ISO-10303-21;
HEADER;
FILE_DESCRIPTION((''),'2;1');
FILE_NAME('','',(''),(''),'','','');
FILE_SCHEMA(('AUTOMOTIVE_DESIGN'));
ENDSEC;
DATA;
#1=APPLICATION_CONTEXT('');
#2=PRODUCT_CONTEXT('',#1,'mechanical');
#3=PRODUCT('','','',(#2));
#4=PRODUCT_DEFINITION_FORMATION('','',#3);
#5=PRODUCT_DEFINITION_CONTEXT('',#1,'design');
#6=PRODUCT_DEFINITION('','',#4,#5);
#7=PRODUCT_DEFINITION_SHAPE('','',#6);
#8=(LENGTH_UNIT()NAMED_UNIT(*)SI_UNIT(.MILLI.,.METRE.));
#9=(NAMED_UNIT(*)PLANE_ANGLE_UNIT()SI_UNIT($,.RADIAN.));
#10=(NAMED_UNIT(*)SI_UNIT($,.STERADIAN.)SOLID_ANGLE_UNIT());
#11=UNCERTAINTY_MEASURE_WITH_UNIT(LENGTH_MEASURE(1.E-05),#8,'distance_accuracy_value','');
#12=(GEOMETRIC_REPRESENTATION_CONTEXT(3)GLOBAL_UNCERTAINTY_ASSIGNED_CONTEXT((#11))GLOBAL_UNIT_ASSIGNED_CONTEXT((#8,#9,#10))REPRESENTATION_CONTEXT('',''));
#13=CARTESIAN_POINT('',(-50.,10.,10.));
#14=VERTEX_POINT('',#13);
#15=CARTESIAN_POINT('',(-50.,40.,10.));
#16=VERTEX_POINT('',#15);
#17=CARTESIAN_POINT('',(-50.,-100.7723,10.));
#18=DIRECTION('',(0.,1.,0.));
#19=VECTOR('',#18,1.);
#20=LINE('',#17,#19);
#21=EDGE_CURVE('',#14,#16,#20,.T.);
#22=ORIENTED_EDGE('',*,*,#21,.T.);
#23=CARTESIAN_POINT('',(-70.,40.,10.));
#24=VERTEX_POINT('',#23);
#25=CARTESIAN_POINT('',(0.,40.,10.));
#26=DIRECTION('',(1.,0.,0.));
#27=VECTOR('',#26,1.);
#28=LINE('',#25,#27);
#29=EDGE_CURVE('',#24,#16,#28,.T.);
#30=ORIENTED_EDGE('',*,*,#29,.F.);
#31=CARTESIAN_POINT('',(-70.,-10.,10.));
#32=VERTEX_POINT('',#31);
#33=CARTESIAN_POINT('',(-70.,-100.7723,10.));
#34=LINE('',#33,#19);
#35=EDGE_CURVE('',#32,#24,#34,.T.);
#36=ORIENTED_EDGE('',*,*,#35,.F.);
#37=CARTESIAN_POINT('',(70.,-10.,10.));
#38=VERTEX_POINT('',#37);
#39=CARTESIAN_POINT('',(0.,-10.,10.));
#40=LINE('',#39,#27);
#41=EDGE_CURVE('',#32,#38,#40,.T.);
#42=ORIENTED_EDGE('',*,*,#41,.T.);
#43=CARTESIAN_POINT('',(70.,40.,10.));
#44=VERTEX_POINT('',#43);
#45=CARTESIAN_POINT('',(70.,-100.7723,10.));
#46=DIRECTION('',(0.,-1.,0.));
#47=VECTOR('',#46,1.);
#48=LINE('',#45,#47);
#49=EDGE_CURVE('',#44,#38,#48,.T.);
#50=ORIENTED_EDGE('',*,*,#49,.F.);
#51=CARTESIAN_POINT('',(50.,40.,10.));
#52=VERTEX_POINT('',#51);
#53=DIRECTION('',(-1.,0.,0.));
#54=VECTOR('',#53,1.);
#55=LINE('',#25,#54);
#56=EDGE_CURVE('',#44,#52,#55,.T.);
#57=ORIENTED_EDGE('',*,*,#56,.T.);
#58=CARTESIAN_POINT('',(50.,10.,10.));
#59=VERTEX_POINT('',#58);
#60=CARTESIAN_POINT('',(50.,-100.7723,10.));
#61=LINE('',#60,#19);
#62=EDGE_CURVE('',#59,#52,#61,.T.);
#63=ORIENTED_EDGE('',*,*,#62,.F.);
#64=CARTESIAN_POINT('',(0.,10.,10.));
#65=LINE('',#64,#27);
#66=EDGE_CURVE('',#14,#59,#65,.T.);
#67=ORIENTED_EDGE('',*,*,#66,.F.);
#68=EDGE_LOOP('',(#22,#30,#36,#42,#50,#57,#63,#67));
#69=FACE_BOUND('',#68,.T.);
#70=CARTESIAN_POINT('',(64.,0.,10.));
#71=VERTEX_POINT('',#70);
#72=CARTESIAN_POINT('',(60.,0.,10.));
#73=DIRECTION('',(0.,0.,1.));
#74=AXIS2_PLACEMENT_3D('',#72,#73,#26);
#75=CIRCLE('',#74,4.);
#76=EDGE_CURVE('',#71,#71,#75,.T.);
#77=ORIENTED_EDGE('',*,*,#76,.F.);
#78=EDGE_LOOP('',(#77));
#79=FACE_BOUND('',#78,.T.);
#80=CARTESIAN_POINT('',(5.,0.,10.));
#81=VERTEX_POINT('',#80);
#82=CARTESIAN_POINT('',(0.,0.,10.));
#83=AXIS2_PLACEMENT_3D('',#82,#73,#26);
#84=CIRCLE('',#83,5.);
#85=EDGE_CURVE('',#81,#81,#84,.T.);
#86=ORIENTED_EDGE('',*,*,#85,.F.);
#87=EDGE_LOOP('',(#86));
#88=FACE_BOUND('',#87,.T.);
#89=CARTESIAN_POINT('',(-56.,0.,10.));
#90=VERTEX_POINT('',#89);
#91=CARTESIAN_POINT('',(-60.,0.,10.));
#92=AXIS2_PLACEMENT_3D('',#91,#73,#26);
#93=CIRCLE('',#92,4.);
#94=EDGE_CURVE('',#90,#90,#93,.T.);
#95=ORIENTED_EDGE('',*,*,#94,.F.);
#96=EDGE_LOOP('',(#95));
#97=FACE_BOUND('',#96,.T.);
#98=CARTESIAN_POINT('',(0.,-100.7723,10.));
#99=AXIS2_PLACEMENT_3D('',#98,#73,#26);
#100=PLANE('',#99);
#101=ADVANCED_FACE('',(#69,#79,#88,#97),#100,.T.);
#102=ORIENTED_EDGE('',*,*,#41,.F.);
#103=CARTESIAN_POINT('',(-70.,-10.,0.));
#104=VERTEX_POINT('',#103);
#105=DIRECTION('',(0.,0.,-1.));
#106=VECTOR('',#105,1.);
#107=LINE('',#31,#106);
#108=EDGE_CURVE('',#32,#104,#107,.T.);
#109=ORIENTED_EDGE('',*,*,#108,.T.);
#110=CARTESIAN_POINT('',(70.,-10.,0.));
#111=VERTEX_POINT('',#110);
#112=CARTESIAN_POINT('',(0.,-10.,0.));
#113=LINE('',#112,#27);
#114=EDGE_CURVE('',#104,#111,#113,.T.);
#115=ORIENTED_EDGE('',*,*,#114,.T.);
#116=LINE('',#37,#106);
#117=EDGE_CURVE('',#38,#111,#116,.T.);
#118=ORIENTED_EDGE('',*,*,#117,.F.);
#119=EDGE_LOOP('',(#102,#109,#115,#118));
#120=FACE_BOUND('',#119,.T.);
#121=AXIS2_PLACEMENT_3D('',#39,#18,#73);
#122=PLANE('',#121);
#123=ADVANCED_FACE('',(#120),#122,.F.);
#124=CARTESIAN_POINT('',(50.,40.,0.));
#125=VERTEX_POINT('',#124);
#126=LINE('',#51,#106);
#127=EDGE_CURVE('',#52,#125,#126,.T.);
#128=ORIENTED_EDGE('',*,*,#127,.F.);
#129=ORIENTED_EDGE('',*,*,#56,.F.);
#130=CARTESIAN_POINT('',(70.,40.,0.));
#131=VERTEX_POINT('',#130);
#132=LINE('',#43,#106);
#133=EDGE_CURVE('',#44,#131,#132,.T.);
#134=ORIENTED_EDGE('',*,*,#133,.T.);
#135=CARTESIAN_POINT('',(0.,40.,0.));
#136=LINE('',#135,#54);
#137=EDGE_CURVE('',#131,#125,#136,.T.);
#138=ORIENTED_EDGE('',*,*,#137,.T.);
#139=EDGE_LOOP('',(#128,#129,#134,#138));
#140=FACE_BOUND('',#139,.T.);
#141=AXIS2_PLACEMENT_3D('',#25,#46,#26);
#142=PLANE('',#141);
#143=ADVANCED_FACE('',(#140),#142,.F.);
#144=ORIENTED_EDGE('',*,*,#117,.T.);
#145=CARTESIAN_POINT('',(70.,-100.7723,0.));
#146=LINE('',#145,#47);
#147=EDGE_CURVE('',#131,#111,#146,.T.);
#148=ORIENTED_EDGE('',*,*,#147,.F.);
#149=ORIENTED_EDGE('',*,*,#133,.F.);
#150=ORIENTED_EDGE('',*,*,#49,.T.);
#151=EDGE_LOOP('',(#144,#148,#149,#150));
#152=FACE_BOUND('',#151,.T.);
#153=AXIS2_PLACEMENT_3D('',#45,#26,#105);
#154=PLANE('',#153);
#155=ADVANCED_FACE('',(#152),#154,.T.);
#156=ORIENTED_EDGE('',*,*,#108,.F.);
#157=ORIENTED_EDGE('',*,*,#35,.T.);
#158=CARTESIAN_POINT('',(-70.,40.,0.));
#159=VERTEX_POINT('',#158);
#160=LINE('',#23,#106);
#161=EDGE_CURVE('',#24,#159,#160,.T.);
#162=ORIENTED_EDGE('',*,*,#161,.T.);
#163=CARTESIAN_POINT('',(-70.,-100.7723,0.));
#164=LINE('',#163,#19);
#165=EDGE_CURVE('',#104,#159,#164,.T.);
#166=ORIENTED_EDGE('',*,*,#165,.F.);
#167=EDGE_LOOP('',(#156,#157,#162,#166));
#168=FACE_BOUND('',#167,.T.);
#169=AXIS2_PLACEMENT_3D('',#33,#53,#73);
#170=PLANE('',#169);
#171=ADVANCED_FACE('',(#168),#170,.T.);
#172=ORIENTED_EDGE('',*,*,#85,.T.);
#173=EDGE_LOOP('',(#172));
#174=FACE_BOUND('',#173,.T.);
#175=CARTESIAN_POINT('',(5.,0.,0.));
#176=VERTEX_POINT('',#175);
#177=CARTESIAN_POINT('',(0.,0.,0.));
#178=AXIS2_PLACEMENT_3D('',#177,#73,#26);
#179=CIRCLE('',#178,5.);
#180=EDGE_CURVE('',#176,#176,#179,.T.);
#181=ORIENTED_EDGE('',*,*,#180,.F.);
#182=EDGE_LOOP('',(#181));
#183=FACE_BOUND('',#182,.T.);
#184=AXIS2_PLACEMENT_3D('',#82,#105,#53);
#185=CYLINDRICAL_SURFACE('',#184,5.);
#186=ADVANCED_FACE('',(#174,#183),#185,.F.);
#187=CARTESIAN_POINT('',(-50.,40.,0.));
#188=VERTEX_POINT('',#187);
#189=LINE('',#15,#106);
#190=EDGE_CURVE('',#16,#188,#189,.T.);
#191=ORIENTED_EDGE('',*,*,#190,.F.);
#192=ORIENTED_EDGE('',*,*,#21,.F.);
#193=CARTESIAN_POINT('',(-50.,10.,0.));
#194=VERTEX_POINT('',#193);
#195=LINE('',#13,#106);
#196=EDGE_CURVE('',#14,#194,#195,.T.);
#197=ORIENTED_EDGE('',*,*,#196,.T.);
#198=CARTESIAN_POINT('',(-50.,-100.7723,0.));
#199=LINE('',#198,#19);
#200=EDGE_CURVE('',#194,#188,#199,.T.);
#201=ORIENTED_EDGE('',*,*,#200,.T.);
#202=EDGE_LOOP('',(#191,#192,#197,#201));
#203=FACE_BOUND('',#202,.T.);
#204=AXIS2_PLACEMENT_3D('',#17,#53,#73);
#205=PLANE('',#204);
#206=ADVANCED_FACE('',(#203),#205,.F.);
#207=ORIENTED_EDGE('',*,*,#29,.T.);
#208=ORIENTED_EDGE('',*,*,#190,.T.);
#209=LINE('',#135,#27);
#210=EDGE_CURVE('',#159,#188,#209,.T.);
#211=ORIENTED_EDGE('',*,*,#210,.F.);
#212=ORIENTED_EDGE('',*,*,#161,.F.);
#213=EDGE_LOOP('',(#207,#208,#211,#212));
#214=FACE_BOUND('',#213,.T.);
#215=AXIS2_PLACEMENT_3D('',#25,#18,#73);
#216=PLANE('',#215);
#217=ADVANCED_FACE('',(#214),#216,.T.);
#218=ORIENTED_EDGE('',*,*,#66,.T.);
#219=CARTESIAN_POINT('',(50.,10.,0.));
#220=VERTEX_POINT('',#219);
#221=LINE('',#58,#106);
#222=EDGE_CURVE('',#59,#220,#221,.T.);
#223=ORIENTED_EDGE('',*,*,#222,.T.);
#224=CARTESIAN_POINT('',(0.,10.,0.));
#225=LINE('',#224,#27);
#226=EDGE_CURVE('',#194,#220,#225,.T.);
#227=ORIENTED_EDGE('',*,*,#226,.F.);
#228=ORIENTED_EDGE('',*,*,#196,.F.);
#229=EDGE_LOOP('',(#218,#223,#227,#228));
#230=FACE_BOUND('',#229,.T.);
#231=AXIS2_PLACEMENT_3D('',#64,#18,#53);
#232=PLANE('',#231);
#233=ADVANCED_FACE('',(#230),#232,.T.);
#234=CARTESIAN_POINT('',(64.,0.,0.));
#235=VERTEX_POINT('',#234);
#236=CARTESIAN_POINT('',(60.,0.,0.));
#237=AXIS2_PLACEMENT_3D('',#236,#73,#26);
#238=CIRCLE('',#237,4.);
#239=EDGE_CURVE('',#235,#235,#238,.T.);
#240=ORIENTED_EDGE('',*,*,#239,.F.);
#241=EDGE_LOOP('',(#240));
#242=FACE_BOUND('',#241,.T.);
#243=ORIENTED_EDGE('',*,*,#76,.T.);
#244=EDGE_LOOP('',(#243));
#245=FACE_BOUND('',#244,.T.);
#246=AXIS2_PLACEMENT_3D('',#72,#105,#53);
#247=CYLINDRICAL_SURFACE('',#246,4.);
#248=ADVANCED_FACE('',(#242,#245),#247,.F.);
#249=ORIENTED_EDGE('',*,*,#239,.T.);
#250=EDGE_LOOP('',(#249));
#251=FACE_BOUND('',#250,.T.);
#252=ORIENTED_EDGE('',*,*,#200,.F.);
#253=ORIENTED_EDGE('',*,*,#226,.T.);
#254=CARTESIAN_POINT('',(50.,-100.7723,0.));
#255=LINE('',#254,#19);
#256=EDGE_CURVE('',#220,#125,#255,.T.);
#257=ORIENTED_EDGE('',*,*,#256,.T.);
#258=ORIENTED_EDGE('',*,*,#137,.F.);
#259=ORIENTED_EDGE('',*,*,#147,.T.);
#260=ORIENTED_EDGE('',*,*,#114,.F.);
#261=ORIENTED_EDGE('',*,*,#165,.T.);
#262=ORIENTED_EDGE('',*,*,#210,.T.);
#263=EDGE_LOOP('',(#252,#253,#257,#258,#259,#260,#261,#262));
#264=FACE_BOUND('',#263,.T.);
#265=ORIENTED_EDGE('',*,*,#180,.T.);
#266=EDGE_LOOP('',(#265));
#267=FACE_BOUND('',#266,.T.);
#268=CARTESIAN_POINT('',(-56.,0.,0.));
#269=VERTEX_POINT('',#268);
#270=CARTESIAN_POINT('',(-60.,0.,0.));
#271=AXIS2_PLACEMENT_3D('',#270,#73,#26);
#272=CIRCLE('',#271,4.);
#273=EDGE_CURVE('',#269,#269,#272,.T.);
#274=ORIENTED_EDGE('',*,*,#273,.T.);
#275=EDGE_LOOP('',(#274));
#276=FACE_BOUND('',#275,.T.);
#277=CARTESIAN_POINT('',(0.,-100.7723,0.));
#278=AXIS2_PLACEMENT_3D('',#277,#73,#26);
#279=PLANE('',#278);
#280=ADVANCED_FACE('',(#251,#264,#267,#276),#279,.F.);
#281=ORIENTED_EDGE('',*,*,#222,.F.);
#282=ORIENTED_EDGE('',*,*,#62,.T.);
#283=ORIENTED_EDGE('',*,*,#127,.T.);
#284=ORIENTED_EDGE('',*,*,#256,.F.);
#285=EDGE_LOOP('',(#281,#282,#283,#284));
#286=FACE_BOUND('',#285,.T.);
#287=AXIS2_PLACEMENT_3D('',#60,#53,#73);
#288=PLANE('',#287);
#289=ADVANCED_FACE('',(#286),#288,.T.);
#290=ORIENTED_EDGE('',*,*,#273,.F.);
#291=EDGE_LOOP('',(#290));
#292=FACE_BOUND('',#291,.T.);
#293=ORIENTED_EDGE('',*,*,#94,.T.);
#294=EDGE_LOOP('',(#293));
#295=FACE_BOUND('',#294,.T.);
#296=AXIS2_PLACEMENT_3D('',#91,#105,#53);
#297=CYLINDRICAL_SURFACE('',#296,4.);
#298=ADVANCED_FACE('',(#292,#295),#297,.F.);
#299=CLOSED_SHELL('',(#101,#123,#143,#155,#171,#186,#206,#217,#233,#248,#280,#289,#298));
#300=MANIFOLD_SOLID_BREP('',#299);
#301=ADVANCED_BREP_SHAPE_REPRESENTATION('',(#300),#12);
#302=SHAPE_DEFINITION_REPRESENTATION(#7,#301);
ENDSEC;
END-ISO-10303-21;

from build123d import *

# Parameters (mm, degrees)
ESQUISSE1_R        = 4
ESQUISSE1_R_2      = 5
BOSS_EXTRU_1_DEPTH = 10


with BuildPart() as part:
    # Esquisse1 → Boss.-Extru.1 (new body)
    with BuildSketch(Plane.XY):
        Polygon((-70, 40), (-70, 10), (-70, -10), (70, -10), (70, 10), (70, 40), (50, 40), (50, 10), (-50, 10), (-50, 40), align=None)
        with Locations((-60, 0)):
            Circle(ESQUISSE1_R, mode=Mode.SUBTRACT)
        Circle(ESQUISSE1_R_2, mode=Mode.SUBTRACT)
        with Locations((60, 0)):
            Circle(ESQUISSE1_R, mode=Mode.SUBTRACT)
        Polygon((-70, 40), (-70, 10), (-70, -10), (70, -10), (70, 10), (70, 40), (50, 40), (50, 10), (-50, 10), (-50, 40), align=None)
        with Locations((-60, 0)):
            Circle(ESQUISSE1_R, mode=Mode.SUBTRACT)
        Circle(ESQUISSE1_R_2, mode=Mode.SUBTRACT)
        with Locations((60, 0)):
            Circle(ESQUISSE1_R, mode=Mode.SUBTRACT)
        Polygon((-70, 40), (-70, 10), (-70, -10), (70, -10), (70, 10), (70, 40), (50, 40), (50, 10), (-50, 10), (-50, 40), align=None)
        with Locations((-60, 0)):
            Circle(ESQUISSE1_R, mode=Mode.SUBTRACT)
        Circle(ESQUISSE1_R_2, mode=Mode.SUBTRACT)
        with Locations((60, 0)):
            Circle(ESQUISSE1_R, mode=Mode.SUBTRACT)
    extrude(amount=BOSS_EXTRU_1_DEPTH)


solid = part.part
